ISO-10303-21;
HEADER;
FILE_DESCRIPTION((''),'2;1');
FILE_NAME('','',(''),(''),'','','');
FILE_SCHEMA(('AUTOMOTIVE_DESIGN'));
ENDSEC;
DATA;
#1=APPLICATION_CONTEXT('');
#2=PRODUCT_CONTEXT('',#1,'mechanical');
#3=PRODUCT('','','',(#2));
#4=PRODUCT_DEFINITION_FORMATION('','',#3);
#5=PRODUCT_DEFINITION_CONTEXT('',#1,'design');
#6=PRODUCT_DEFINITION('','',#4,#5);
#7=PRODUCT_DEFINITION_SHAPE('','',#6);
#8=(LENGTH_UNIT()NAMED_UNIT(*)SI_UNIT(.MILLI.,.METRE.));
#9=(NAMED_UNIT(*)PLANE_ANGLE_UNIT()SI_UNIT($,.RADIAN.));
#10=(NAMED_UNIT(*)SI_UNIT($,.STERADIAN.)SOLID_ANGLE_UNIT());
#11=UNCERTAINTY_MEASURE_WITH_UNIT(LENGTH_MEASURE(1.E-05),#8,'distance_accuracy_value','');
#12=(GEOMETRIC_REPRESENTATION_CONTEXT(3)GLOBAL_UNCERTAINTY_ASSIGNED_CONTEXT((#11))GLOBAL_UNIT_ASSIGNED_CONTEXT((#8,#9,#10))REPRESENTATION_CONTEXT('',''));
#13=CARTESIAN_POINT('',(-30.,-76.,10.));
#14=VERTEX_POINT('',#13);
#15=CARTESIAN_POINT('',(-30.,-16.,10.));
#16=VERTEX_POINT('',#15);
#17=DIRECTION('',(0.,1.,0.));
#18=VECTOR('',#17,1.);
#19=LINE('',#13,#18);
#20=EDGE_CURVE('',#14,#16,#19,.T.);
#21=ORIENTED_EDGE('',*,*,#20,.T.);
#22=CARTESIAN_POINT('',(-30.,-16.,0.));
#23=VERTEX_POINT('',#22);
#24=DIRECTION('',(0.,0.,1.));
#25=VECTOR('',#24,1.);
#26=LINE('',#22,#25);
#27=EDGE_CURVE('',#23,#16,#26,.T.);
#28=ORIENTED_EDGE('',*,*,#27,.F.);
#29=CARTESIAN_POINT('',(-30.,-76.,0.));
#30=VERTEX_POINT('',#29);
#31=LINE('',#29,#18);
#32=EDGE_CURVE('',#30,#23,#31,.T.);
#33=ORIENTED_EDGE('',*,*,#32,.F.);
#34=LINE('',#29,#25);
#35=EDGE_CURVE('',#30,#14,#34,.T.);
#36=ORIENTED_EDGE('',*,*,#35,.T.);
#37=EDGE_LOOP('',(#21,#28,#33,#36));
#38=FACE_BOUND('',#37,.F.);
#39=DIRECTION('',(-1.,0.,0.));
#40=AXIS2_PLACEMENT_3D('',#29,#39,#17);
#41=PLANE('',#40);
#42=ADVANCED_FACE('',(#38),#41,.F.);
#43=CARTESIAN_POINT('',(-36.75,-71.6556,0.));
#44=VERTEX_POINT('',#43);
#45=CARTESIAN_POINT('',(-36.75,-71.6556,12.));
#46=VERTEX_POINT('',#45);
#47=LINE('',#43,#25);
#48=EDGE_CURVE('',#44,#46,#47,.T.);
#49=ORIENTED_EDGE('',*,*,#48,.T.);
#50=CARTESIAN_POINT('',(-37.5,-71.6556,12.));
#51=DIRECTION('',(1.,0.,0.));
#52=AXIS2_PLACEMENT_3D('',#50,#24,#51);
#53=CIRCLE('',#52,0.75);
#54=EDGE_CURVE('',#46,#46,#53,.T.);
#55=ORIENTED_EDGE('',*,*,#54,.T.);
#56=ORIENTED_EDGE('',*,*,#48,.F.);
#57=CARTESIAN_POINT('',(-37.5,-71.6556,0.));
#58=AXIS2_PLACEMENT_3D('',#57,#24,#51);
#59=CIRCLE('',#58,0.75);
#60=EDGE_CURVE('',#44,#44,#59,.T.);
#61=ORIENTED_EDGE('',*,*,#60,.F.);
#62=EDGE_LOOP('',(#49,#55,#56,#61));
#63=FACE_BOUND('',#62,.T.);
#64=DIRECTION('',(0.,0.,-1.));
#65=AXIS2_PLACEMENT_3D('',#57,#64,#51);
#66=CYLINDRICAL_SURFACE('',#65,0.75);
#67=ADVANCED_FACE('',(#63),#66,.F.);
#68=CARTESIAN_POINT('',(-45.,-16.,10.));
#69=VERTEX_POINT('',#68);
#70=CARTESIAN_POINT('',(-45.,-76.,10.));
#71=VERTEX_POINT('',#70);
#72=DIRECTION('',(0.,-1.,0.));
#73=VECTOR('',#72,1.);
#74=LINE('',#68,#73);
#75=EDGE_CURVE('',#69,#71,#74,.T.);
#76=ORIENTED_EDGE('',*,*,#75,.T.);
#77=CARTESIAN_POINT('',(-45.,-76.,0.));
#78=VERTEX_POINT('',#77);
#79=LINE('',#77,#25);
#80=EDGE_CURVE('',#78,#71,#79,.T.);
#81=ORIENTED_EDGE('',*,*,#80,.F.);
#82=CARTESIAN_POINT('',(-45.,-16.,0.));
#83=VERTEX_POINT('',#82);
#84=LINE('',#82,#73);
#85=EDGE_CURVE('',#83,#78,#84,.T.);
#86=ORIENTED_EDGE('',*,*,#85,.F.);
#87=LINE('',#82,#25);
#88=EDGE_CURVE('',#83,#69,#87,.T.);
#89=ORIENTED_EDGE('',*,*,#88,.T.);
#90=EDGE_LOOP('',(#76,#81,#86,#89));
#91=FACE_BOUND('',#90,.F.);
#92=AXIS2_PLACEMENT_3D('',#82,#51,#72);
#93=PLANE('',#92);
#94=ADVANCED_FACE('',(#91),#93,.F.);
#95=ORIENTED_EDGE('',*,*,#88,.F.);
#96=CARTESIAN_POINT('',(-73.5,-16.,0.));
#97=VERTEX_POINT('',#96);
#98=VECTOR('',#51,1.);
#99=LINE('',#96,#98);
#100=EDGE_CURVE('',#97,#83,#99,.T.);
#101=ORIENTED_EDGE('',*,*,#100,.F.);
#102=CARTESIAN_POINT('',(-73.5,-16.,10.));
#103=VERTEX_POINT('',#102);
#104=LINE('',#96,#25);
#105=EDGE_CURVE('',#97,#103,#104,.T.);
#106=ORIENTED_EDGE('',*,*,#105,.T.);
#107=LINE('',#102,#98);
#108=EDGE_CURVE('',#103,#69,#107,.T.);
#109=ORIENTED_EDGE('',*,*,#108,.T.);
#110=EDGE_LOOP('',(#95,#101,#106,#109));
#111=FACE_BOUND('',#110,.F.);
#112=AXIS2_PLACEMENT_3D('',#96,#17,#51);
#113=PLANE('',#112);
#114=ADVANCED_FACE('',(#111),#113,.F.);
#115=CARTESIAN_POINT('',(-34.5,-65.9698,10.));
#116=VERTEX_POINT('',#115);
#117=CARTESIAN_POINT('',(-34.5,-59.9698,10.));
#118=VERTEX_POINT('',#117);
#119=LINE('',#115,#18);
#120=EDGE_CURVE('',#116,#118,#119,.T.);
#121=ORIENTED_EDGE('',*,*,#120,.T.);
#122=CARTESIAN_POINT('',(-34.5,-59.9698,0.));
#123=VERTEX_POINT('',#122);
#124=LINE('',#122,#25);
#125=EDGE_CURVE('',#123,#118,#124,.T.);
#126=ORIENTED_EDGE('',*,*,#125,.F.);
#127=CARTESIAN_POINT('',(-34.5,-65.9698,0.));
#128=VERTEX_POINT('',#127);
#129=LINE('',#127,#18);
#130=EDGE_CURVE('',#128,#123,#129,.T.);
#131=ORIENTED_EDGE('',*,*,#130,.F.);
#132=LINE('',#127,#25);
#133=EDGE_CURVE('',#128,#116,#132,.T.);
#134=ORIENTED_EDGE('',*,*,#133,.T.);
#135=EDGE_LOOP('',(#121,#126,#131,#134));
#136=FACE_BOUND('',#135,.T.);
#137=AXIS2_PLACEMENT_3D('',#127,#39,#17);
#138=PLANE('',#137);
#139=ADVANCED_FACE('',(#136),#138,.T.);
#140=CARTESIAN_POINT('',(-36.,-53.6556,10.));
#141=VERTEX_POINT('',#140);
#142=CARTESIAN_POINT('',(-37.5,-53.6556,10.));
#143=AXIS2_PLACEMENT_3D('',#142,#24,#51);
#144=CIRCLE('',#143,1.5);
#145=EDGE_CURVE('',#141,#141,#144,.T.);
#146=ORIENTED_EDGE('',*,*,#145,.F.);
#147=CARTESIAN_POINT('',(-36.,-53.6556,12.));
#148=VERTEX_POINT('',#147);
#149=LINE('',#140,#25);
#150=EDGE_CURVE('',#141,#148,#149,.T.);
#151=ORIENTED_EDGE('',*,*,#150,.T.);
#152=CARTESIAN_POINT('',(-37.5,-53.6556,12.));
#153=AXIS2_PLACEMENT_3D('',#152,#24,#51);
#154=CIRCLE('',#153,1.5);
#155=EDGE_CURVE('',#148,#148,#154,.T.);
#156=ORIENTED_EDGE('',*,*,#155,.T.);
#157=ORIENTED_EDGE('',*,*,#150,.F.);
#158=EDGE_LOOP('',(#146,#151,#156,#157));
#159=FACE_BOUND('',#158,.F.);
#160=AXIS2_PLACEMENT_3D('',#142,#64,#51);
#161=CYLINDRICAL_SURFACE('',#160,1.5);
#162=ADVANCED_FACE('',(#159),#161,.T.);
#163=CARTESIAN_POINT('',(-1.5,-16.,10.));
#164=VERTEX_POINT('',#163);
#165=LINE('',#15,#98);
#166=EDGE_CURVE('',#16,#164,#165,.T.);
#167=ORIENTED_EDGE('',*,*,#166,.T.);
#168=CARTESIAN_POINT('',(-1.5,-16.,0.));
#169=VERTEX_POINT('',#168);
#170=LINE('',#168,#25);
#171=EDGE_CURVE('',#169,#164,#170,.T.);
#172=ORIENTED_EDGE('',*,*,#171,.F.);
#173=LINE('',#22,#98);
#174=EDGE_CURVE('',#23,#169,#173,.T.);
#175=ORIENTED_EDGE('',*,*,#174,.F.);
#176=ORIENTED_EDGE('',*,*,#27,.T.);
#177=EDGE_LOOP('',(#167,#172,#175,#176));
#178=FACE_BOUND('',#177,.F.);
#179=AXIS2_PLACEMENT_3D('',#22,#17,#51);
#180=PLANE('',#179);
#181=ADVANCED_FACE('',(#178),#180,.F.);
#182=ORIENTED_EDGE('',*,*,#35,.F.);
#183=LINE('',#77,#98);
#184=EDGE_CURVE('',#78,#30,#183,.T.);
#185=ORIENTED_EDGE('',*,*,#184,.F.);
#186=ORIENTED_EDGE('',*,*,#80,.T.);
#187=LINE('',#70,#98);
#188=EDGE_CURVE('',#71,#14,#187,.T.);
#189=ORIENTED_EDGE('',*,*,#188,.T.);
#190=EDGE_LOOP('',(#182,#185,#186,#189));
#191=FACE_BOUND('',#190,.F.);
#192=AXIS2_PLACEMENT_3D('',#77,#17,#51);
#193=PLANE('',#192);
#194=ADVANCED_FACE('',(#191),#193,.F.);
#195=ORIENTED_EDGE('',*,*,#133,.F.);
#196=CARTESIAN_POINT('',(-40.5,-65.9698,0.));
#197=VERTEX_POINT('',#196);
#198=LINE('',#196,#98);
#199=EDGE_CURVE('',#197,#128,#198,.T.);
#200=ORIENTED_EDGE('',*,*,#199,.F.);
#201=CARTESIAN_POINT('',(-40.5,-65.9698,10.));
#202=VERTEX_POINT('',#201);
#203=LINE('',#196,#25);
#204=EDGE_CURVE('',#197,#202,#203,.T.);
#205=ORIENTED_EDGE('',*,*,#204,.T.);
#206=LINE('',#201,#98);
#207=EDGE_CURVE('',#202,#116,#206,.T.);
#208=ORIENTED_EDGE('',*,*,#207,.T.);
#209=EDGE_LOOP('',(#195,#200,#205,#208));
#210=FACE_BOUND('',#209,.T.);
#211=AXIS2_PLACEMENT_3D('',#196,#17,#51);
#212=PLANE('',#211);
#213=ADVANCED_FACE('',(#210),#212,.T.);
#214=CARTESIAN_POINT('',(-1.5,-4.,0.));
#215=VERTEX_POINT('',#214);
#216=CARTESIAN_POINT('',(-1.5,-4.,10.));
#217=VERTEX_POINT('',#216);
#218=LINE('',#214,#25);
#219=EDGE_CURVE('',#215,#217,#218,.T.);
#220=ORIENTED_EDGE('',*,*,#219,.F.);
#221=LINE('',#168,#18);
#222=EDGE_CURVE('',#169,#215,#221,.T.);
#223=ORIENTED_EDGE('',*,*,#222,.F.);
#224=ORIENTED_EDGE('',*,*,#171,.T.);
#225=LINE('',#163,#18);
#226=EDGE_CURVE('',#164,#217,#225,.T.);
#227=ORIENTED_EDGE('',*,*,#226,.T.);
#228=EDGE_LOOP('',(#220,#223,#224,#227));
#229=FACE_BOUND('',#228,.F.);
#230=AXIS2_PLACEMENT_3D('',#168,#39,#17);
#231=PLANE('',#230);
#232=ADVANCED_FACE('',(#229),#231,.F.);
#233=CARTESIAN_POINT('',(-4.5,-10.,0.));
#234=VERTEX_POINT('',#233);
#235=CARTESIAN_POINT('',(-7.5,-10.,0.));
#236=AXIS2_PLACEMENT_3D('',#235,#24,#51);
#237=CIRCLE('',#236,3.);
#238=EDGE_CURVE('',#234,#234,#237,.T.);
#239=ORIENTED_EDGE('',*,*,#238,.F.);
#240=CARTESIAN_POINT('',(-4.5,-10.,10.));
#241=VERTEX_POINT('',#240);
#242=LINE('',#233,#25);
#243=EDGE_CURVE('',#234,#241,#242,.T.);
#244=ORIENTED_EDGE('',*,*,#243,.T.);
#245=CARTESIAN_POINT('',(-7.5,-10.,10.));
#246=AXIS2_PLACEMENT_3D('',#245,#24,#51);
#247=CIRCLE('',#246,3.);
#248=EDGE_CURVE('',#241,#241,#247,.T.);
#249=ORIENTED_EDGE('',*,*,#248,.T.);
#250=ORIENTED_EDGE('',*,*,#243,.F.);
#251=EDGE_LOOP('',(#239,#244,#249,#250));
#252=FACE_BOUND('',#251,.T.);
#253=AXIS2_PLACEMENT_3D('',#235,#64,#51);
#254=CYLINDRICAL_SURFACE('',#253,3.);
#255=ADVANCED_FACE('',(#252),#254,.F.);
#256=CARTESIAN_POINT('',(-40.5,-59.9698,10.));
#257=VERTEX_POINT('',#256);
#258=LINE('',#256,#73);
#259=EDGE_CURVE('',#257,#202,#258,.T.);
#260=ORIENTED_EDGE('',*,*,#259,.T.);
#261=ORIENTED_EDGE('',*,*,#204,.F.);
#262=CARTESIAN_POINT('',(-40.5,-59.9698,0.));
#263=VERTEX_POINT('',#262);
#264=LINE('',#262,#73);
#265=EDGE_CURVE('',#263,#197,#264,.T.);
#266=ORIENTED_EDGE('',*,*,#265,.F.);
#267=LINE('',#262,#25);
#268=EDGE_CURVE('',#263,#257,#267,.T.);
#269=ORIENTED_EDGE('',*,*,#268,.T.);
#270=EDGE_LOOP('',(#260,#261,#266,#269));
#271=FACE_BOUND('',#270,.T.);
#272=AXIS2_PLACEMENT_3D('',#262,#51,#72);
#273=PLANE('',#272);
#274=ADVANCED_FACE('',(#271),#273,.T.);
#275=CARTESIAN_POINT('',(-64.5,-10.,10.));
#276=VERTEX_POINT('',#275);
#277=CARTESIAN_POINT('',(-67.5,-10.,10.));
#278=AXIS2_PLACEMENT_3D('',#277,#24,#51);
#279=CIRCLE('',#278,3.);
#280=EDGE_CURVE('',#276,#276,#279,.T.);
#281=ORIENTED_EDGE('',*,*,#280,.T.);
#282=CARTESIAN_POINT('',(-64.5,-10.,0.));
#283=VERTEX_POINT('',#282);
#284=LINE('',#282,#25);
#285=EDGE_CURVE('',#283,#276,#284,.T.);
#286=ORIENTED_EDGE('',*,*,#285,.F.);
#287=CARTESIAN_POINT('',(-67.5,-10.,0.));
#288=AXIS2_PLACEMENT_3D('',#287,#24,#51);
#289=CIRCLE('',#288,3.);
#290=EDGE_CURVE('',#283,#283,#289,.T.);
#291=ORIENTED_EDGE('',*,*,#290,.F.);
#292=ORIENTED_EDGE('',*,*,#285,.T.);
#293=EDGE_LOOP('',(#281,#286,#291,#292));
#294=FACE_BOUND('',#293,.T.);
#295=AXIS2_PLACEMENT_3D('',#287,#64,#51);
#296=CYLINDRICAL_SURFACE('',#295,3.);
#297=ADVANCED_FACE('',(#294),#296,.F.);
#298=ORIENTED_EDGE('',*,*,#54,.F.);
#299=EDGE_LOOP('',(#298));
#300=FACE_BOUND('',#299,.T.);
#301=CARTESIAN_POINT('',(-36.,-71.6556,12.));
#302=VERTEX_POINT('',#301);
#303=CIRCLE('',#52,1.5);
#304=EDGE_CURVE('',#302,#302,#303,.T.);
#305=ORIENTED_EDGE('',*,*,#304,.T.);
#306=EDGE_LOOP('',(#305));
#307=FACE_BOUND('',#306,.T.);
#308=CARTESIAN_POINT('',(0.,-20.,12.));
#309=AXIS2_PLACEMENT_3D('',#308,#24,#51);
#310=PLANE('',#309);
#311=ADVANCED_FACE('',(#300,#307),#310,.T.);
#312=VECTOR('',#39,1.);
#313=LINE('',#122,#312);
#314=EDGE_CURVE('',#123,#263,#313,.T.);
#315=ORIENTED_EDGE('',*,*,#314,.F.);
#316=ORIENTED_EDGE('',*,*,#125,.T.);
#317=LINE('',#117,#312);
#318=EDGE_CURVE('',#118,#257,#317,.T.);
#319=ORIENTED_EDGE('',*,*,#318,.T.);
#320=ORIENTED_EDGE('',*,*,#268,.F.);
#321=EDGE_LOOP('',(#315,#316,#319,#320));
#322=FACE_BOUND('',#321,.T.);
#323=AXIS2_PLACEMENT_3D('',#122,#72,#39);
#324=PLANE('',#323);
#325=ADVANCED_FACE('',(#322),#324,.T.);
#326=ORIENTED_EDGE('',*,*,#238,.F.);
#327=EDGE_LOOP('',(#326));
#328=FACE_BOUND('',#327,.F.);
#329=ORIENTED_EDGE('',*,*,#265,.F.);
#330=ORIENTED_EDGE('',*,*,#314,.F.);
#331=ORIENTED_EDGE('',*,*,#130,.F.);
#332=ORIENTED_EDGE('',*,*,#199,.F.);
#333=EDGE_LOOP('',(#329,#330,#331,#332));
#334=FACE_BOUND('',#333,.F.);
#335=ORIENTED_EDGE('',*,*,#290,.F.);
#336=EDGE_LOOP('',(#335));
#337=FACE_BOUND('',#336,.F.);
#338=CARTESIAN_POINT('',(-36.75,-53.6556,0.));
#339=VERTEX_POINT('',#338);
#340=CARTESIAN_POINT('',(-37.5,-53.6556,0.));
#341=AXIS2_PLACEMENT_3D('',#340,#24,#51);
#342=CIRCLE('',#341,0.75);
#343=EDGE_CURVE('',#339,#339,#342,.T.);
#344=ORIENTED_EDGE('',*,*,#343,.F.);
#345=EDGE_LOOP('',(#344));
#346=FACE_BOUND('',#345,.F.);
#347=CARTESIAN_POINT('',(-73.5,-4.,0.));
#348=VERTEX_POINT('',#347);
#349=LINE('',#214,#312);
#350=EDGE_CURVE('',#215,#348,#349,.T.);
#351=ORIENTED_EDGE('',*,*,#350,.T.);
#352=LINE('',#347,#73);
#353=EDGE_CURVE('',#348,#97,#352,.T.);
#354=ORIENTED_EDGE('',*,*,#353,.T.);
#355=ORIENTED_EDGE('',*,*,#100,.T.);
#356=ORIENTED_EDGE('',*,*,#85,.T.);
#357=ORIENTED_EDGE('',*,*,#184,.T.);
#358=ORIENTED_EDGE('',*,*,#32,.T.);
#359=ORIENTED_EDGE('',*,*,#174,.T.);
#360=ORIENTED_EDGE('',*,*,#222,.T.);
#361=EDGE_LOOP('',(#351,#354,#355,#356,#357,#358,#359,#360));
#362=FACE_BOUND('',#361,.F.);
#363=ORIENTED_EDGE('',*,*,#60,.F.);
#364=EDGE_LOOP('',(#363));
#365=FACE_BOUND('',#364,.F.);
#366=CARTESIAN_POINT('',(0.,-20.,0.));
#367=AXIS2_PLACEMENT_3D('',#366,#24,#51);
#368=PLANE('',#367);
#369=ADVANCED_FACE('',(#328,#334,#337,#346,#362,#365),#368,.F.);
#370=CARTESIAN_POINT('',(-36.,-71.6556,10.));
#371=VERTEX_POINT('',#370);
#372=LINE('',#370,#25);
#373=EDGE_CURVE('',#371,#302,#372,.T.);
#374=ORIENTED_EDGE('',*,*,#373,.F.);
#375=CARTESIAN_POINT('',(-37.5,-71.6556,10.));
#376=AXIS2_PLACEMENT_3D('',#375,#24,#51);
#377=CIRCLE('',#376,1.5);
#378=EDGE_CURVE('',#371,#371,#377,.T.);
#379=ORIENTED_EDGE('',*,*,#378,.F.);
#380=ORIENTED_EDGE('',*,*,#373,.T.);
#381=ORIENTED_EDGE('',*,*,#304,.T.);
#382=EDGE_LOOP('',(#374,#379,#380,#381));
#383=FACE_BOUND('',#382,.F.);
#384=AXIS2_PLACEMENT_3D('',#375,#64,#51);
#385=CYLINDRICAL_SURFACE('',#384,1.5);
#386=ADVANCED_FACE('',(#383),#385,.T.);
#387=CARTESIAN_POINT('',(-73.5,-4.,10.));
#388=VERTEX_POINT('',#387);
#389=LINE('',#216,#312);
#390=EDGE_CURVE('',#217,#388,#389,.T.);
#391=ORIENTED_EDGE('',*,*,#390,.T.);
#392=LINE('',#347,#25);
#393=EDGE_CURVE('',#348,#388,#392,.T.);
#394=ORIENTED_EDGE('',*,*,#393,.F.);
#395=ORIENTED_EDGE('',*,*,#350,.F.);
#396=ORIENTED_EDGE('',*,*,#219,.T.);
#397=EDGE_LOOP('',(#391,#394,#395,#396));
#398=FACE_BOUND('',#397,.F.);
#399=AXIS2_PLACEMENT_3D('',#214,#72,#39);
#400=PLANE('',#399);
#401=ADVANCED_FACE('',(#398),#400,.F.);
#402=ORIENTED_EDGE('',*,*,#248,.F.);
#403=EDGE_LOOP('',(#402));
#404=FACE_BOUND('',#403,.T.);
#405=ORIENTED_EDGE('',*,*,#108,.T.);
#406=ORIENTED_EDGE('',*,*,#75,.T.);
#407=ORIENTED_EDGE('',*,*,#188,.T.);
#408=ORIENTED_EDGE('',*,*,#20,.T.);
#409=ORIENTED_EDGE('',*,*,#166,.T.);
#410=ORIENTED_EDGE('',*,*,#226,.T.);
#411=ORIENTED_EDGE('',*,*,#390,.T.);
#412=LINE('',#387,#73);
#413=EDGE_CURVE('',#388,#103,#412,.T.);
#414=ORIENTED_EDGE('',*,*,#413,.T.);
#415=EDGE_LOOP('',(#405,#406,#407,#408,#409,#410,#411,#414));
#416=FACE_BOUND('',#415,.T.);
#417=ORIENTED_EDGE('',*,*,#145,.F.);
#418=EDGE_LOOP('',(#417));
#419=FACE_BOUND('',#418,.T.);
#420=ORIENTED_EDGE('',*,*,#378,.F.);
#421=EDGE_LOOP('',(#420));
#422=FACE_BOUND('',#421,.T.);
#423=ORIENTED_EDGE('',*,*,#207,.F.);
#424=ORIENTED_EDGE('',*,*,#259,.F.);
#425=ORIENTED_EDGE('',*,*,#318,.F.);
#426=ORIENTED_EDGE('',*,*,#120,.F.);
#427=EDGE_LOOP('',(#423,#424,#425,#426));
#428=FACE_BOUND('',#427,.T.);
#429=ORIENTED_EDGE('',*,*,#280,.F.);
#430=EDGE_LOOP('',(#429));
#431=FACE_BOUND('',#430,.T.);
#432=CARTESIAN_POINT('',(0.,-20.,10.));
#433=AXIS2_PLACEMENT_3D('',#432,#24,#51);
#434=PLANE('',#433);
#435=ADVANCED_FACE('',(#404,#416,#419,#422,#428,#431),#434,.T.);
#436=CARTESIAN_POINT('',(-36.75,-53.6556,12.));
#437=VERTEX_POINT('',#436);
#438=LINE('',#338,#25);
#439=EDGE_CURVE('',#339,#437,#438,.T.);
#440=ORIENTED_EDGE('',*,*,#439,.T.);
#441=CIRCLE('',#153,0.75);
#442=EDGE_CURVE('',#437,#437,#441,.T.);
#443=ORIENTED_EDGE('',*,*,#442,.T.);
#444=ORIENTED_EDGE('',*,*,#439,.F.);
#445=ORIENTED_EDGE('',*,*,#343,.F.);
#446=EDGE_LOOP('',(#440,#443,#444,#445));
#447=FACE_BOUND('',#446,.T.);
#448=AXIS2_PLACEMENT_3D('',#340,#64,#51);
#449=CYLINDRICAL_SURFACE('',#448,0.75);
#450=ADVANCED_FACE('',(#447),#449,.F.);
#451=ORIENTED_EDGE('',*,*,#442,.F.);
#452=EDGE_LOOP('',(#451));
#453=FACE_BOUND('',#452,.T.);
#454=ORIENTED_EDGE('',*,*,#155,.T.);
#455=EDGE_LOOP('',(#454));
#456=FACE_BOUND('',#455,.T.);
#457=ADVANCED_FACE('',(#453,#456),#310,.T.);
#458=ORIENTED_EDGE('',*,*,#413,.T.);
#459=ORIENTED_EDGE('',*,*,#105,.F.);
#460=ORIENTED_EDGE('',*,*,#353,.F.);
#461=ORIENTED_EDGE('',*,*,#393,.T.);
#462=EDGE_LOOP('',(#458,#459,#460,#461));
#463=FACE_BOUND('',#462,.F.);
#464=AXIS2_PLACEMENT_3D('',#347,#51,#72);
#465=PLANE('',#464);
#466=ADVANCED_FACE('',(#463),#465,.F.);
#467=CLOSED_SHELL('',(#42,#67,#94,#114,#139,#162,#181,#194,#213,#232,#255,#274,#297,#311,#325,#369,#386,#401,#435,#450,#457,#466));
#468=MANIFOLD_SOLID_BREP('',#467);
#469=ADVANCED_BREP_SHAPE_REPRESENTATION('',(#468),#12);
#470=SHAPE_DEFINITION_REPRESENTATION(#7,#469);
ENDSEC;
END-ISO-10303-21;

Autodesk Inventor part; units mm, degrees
ref_plane "YZ Plane" through (0, 0, 0) normal (1, 0, 0) x (0, 1, 0)
ref_plane "XZ Plane" through (0, 0, 0) normal (0, 1, 0) x (-1, 0, 0)
ref_plane "XY Plane" through (0, 0, 0) normal (0, 0, 1) x (1, 0, 0)
ref_plane "Płaszczyzna konstrukcyjna1" through (0, -20, 0) normal (0, 0, 1) x (1, 0, 0)
sketch "Szkic1" plane through (0, -20, 0) normal (0, 0, 1) x (1, 0, 0)
  line L0 (-14.5, -19.3841) -> (-60.5, -19.3841) construction
  line L1 (-14.5, -66.5556) -> (-14.5, -19.3841) projected
  line L2 (-60.5, -66.5556) -> (-14.5, -66.5556) projected
  line L3 (-60.5, -19.3841) -> (-60.5, -66.5556) projected
  line L4 (-62.5, -67.9698) -> (-62.5, -17.9698) projected
  line L5 (-12.5, -67.9698) -> (-62.5, -67.9698) projected
  line L6 (-12.5, -17.9698) -> (-12.5, -67.9698) projected
  line L7 (-62.5, -17.9698) -> (-12.5, -17.9698) construction
  circle A0 centre (-7.5, 10) radius 3 projected
  circle A1 centre (-67.5, 10) radius 3 projected
  line L8 (-75, 0) -> (0, 0) construction
  line L9 (0, 20) -> (0, 0) projected
  line L10 (-75, 20) -> (0, 20) projected
  line L11 (-75, 20) -> (-75, 0) projected
  line L12 (-14.5, -19.3841) -> (-60.5, -66.5556) construction
  line L13 (-60.5, -19.3841) -> (-14.5, -66.5556) construction
  line L14 (-1.5, 16) -> (-73.5, 16)
  line L15 (-73.5, 16) -> (-73.5, 4)
  line L16 (-1.5, 4) -> (-1.5, 16)
  line L17 (-27.5, -27.9698) -> (-47.5, -27.9698) construction
  line L18 (-47.5, -27.9698) -> (-47.5, -57.9698) construction
  line L19 (-47.5, -57.9698) -> (-27.5, -57.9698) construction
  line L20 (-27.5, -57.9698) -> (-27.5, -27.9698) construction
  line L21 (-27.5, -27.9698) -> (-47.5, -57.9698) construction
  line L22 (-47.5, -27.9698) -> (-27.5, -57.9698) construction
  line L23 (-37.5, -27.9698) -> (-37.5, -57.9698) construction
  circle A2 centre (-37.5, -33.6556) radius 0.75
  circle A3 centre (-37.5, -51.6556) radius 0.75
  circle A4 centre (-37.5, -33.6556) radius 1.5
  circle A5 centre (-37.5, -51.6556) radius 1.5
  line L24 (-45, 4) -> (-45, -56)
  line L25 (-45, -56) -> (-30, -56)
  line L26 (-30, -56) -> (-30, 4)
  line L27 (-34.5, -39.9698) -> (-40.5, -39.9698)
  line L28 (-40.5, -39.9698) -> (-40.5, -45.9698)
  line L29 (-40.5, -45.9698) -> (-34.5, -45.9698)
  line L30 (-34.5, -45.9698) -> (-34.5, -39.9698)
  line L31 (-34.5, -39.9698) -> (-40.5, -45.9698) construction
  line L32 (-40.5, -39.9698) -> (-34.5, -45.9698) construction
  line L33 (-73.5, 4) -> (-45, 4)
  line L34 (-30, 4) -> (-1.5, 4)
  line L35 (-37.5, -33.6556) -> (-37.5, -51.6556) construction
  point P0 (-37.5, -42.9698)
  point P1 (-1.5, 10)
  point P2 (-37.5, 4)
  dimension "d0" = 6
  dimension "d1" = 6
  dimension "d2" = 6
  dimension "d3" = 20
  dimension "d4" = 30
  dimension "d5" = 1.5
  dimension "d6" = 18
  dimension "d7" = 3
  dimension "d8" = 3
  dimension "d9" = 6
  dimension "d10" = 6
  dimension "d11" = 15
  dimension "d12" = 60
  dimension "d13" = 4.3444
extrude "Wyciągnięcie proste1" add sketch "Szkic1" along normal blind 10 contours L16 L34 L26 L25 L24 L33 L15 L14 | A4 | A5
sketch "Szkic2" plane through (0, -20, 10) normal (0, 0, 1) x (1, 0, 0)
  circle A0 centre (-37.5, -33.6556) radius 1.5 projected
  circle A1 centre (-37.5, -51.6556) radius 1.5 projected
  circle A2 centre (-37.5, -33.6556) radius 0.75 projected
  circle A3 centre (-37.5, -51.6556) radius 0.75 projected
  point P0 (0, 20)
extrude "Wyciągnięcie proste2" add sketch "Szkic2" along normal blind 2
properties part number "camera_holder"
